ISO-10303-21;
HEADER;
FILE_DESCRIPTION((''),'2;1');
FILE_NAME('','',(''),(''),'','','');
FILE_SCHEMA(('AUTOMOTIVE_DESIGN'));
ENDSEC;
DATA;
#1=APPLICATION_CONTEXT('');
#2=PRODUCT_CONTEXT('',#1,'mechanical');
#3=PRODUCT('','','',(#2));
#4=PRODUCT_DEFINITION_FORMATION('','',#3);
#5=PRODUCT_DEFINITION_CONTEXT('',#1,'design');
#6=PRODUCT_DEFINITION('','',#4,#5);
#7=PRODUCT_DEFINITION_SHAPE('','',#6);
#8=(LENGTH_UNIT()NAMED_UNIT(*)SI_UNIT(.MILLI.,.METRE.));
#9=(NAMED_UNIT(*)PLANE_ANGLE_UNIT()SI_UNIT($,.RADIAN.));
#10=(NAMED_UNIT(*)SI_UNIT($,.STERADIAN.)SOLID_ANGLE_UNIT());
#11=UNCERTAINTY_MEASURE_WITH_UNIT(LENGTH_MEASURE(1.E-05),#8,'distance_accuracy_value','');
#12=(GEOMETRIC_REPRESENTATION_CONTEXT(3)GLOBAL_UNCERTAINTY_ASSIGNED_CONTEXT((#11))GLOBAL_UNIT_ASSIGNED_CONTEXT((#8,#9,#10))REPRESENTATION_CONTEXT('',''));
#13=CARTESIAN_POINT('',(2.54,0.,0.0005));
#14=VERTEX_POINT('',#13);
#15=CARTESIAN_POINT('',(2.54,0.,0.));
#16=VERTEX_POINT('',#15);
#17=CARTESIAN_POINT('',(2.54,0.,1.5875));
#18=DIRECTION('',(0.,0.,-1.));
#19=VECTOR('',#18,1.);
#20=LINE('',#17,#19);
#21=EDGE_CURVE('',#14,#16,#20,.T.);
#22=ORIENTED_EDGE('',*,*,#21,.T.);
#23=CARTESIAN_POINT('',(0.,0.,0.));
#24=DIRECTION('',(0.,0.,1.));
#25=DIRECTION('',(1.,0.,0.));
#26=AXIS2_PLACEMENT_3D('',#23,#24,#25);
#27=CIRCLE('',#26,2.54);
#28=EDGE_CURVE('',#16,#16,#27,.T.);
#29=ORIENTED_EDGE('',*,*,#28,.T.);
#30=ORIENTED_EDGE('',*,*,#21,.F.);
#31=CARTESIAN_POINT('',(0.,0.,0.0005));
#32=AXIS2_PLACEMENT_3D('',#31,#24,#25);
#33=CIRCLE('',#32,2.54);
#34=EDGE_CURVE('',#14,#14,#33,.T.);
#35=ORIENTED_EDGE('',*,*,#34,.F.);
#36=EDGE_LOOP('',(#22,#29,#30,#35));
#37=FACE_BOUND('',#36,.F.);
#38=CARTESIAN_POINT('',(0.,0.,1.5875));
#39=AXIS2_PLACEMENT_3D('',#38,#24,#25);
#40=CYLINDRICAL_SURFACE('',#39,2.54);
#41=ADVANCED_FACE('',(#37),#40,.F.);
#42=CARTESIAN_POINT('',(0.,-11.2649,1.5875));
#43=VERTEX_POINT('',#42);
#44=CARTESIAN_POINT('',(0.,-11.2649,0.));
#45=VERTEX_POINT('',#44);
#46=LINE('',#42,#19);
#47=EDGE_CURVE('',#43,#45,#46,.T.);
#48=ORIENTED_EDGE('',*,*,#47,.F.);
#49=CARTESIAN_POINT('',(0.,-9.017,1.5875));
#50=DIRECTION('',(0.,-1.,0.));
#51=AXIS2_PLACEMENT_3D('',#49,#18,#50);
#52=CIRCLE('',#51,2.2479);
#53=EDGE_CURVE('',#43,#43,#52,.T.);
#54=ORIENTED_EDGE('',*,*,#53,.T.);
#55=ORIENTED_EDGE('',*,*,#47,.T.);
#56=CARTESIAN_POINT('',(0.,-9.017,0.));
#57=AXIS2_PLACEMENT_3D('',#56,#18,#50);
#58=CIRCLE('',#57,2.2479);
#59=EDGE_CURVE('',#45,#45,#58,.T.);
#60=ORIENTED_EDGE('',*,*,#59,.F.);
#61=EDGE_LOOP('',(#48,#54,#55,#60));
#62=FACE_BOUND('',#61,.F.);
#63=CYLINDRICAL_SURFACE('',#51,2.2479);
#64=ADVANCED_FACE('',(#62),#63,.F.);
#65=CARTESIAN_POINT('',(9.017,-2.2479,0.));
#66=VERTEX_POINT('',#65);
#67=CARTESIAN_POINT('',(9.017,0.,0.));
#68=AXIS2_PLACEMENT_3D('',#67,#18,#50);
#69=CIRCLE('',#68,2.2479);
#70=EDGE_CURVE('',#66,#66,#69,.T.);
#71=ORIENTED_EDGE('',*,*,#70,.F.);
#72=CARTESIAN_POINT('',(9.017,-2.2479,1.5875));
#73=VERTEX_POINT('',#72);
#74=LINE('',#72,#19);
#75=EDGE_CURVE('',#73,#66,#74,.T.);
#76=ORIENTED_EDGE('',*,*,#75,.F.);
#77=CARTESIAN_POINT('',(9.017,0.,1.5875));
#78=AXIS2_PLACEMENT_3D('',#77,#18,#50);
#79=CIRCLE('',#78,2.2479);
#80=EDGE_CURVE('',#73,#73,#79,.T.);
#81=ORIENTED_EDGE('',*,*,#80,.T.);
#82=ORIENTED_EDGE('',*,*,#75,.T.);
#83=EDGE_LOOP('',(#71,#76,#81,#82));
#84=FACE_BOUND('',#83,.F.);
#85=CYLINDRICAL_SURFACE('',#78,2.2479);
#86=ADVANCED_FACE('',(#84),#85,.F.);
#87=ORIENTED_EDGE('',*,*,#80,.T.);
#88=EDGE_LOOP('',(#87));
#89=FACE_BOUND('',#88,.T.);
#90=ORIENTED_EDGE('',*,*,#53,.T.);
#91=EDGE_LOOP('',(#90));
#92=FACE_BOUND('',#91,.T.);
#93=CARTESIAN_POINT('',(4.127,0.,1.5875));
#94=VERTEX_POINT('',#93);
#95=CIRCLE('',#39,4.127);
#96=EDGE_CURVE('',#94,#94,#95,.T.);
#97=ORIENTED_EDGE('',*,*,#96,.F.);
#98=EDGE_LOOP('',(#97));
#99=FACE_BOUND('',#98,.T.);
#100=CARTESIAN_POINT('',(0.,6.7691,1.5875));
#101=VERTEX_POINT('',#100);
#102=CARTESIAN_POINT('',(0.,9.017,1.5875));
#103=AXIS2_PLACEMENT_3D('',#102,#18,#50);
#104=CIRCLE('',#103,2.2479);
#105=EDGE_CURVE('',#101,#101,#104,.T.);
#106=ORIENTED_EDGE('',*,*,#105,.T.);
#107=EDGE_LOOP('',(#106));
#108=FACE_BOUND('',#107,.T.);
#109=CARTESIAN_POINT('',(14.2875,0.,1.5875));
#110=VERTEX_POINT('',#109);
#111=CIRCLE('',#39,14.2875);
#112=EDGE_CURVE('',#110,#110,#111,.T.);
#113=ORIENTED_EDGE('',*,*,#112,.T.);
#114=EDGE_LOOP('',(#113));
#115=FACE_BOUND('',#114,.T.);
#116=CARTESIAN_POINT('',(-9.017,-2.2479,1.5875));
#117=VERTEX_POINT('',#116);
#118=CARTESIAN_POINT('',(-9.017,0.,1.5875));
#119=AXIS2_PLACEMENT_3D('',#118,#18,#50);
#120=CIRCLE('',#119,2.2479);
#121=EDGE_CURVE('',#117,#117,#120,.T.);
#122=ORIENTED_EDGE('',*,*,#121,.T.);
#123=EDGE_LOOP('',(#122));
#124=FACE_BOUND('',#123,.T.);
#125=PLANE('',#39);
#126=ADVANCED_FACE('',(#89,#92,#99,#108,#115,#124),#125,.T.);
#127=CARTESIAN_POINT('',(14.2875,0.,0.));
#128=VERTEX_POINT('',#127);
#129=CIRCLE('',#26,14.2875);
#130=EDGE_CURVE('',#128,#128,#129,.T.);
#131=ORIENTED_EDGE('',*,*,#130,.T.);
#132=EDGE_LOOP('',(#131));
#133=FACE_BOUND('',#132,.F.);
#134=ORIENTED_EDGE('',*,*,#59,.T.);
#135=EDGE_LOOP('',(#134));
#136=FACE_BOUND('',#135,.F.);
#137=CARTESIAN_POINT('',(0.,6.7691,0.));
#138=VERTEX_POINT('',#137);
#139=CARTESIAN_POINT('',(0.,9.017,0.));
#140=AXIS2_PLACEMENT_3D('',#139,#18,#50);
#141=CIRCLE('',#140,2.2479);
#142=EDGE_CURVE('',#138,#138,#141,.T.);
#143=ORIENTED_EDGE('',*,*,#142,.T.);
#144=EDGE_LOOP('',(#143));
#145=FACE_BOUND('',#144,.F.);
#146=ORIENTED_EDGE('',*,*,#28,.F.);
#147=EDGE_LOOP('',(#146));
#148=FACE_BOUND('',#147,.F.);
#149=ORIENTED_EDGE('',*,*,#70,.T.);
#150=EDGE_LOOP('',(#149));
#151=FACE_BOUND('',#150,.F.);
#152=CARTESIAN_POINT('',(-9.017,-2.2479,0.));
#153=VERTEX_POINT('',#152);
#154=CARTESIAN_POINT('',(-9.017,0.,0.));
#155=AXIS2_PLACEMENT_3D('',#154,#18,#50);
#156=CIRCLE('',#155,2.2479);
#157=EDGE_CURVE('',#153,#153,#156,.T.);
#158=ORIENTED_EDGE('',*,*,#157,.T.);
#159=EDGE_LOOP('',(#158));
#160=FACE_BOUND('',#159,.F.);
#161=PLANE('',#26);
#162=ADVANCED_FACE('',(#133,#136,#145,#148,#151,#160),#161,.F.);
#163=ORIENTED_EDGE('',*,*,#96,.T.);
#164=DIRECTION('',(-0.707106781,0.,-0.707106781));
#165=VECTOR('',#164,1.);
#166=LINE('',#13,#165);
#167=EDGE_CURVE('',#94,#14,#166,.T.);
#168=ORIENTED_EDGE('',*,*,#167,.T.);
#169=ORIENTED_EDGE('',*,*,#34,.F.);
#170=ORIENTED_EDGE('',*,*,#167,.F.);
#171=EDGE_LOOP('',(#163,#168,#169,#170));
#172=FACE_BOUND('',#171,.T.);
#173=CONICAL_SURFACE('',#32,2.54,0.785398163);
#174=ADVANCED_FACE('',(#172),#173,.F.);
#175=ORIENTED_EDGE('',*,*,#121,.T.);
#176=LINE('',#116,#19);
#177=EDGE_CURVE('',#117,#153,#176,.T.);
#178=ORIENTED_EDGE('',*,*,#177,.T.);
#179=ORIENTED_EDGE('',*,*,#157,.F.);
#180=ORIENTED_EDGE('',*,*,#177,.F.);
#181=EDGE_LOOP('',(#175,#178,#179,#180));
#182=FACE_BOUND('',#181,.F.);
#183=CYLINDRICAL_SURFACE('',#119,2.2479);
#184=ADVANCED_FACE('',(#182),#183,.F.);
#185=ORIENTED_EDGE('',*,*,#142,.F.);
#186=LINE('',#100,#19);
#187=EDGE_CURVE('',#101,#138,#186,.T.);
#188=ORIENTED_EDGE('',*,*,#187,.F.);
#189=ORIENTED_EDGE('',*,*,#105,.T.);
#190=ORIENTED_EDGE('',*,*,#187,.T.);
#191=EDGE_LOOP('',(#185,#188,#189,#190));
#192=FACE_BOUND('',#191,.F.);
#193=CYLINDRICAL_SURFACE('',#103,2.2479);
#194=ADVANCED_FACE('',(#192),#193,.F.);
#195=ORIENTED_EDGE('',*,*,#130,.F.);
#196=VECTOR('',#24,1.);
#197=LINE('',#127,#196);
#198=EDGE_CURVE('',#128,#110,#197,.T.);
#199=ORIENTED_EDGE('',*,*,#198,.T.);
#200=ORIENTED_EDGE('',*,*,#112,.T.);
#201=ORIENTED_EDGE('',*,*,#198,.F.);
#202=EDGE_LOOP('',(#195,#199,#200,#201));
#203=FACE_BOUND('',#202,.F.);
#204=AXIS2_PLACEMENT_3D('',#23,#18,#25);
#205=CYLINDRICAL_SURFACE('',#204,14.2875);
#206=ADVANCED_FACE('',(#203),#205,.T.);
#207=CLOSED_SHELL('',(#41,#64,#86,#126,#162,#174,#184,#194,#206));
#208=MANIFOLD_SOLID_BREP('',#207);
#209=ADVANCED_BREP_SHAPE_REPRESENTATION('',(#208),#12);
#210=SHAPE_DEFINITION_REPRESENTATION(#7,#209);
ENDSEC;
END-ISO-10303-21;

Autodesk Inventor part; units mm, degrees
ref_plane "YZ Plane" through (0, 0, 0) normal (1, 0, 0) x (0, 1, 0)
ref_plane "XZ Plane" through (0, 0, 0) normal (0, 1, 0) x (-1, 0, 0)
ref_plane "XY Plane" through (0, 0, 0) normal (0, 0, 1) x (1, 0, 0)
sketch "Sketch1" plane through (0, 0, 0) normal (0, 0, 1) x (1, 0, 0)
  circle A0 centre (0, 0) radius 14.2875
  dimension "d0" = 28.575
extrude "Extrusion1" add sketch "Sketch1" along normal blind 1.5875
sketch "Sketch2" plane through (0, 0, 1.5875) normal (0, 0, 1) x (1, 0, 0)
  point P0 (0, 0)
  point P1 (0, 9.017)
  point P2 (9.017, 0)
  point P3 (0, -9.017)
  point P4 (-9.017, 0)
  dimension "d3" = 9.017
  dimension "d4" = 9.017
  dimension "d5" = 9.017
  dimension "d6" = 9.017
hole "Hole1" at (0, 9.017, 1.5875) at (9.017, 0, 1.5875) at (0, -9.017, 1.5875) at (-9.017, 0, 1.5875) direction (0, 0, -1) diameter 4.4958 depth 12.2936 tip angle 118 clearance for "Flat Head Machine Screw (82)" size "#8" standard "Ansi Unified Screw Threads"
sketch "Sketch3" plane through (0, 0, 1.5875) normal (0, 0, 1) x (1, 0, 0)
  circle A0 centre (0, 0) radius 2.54
  dimension "d14" = 5.08
extrude "Extrusion2" cut sketch "Sketch3" against normal blind 1.5875
chamfer "Chamfer1" distance 1.5875 angle 45 1 edges at (-2.54, 0, 1.5875)
properties part number "piercable_septum_clamp"
